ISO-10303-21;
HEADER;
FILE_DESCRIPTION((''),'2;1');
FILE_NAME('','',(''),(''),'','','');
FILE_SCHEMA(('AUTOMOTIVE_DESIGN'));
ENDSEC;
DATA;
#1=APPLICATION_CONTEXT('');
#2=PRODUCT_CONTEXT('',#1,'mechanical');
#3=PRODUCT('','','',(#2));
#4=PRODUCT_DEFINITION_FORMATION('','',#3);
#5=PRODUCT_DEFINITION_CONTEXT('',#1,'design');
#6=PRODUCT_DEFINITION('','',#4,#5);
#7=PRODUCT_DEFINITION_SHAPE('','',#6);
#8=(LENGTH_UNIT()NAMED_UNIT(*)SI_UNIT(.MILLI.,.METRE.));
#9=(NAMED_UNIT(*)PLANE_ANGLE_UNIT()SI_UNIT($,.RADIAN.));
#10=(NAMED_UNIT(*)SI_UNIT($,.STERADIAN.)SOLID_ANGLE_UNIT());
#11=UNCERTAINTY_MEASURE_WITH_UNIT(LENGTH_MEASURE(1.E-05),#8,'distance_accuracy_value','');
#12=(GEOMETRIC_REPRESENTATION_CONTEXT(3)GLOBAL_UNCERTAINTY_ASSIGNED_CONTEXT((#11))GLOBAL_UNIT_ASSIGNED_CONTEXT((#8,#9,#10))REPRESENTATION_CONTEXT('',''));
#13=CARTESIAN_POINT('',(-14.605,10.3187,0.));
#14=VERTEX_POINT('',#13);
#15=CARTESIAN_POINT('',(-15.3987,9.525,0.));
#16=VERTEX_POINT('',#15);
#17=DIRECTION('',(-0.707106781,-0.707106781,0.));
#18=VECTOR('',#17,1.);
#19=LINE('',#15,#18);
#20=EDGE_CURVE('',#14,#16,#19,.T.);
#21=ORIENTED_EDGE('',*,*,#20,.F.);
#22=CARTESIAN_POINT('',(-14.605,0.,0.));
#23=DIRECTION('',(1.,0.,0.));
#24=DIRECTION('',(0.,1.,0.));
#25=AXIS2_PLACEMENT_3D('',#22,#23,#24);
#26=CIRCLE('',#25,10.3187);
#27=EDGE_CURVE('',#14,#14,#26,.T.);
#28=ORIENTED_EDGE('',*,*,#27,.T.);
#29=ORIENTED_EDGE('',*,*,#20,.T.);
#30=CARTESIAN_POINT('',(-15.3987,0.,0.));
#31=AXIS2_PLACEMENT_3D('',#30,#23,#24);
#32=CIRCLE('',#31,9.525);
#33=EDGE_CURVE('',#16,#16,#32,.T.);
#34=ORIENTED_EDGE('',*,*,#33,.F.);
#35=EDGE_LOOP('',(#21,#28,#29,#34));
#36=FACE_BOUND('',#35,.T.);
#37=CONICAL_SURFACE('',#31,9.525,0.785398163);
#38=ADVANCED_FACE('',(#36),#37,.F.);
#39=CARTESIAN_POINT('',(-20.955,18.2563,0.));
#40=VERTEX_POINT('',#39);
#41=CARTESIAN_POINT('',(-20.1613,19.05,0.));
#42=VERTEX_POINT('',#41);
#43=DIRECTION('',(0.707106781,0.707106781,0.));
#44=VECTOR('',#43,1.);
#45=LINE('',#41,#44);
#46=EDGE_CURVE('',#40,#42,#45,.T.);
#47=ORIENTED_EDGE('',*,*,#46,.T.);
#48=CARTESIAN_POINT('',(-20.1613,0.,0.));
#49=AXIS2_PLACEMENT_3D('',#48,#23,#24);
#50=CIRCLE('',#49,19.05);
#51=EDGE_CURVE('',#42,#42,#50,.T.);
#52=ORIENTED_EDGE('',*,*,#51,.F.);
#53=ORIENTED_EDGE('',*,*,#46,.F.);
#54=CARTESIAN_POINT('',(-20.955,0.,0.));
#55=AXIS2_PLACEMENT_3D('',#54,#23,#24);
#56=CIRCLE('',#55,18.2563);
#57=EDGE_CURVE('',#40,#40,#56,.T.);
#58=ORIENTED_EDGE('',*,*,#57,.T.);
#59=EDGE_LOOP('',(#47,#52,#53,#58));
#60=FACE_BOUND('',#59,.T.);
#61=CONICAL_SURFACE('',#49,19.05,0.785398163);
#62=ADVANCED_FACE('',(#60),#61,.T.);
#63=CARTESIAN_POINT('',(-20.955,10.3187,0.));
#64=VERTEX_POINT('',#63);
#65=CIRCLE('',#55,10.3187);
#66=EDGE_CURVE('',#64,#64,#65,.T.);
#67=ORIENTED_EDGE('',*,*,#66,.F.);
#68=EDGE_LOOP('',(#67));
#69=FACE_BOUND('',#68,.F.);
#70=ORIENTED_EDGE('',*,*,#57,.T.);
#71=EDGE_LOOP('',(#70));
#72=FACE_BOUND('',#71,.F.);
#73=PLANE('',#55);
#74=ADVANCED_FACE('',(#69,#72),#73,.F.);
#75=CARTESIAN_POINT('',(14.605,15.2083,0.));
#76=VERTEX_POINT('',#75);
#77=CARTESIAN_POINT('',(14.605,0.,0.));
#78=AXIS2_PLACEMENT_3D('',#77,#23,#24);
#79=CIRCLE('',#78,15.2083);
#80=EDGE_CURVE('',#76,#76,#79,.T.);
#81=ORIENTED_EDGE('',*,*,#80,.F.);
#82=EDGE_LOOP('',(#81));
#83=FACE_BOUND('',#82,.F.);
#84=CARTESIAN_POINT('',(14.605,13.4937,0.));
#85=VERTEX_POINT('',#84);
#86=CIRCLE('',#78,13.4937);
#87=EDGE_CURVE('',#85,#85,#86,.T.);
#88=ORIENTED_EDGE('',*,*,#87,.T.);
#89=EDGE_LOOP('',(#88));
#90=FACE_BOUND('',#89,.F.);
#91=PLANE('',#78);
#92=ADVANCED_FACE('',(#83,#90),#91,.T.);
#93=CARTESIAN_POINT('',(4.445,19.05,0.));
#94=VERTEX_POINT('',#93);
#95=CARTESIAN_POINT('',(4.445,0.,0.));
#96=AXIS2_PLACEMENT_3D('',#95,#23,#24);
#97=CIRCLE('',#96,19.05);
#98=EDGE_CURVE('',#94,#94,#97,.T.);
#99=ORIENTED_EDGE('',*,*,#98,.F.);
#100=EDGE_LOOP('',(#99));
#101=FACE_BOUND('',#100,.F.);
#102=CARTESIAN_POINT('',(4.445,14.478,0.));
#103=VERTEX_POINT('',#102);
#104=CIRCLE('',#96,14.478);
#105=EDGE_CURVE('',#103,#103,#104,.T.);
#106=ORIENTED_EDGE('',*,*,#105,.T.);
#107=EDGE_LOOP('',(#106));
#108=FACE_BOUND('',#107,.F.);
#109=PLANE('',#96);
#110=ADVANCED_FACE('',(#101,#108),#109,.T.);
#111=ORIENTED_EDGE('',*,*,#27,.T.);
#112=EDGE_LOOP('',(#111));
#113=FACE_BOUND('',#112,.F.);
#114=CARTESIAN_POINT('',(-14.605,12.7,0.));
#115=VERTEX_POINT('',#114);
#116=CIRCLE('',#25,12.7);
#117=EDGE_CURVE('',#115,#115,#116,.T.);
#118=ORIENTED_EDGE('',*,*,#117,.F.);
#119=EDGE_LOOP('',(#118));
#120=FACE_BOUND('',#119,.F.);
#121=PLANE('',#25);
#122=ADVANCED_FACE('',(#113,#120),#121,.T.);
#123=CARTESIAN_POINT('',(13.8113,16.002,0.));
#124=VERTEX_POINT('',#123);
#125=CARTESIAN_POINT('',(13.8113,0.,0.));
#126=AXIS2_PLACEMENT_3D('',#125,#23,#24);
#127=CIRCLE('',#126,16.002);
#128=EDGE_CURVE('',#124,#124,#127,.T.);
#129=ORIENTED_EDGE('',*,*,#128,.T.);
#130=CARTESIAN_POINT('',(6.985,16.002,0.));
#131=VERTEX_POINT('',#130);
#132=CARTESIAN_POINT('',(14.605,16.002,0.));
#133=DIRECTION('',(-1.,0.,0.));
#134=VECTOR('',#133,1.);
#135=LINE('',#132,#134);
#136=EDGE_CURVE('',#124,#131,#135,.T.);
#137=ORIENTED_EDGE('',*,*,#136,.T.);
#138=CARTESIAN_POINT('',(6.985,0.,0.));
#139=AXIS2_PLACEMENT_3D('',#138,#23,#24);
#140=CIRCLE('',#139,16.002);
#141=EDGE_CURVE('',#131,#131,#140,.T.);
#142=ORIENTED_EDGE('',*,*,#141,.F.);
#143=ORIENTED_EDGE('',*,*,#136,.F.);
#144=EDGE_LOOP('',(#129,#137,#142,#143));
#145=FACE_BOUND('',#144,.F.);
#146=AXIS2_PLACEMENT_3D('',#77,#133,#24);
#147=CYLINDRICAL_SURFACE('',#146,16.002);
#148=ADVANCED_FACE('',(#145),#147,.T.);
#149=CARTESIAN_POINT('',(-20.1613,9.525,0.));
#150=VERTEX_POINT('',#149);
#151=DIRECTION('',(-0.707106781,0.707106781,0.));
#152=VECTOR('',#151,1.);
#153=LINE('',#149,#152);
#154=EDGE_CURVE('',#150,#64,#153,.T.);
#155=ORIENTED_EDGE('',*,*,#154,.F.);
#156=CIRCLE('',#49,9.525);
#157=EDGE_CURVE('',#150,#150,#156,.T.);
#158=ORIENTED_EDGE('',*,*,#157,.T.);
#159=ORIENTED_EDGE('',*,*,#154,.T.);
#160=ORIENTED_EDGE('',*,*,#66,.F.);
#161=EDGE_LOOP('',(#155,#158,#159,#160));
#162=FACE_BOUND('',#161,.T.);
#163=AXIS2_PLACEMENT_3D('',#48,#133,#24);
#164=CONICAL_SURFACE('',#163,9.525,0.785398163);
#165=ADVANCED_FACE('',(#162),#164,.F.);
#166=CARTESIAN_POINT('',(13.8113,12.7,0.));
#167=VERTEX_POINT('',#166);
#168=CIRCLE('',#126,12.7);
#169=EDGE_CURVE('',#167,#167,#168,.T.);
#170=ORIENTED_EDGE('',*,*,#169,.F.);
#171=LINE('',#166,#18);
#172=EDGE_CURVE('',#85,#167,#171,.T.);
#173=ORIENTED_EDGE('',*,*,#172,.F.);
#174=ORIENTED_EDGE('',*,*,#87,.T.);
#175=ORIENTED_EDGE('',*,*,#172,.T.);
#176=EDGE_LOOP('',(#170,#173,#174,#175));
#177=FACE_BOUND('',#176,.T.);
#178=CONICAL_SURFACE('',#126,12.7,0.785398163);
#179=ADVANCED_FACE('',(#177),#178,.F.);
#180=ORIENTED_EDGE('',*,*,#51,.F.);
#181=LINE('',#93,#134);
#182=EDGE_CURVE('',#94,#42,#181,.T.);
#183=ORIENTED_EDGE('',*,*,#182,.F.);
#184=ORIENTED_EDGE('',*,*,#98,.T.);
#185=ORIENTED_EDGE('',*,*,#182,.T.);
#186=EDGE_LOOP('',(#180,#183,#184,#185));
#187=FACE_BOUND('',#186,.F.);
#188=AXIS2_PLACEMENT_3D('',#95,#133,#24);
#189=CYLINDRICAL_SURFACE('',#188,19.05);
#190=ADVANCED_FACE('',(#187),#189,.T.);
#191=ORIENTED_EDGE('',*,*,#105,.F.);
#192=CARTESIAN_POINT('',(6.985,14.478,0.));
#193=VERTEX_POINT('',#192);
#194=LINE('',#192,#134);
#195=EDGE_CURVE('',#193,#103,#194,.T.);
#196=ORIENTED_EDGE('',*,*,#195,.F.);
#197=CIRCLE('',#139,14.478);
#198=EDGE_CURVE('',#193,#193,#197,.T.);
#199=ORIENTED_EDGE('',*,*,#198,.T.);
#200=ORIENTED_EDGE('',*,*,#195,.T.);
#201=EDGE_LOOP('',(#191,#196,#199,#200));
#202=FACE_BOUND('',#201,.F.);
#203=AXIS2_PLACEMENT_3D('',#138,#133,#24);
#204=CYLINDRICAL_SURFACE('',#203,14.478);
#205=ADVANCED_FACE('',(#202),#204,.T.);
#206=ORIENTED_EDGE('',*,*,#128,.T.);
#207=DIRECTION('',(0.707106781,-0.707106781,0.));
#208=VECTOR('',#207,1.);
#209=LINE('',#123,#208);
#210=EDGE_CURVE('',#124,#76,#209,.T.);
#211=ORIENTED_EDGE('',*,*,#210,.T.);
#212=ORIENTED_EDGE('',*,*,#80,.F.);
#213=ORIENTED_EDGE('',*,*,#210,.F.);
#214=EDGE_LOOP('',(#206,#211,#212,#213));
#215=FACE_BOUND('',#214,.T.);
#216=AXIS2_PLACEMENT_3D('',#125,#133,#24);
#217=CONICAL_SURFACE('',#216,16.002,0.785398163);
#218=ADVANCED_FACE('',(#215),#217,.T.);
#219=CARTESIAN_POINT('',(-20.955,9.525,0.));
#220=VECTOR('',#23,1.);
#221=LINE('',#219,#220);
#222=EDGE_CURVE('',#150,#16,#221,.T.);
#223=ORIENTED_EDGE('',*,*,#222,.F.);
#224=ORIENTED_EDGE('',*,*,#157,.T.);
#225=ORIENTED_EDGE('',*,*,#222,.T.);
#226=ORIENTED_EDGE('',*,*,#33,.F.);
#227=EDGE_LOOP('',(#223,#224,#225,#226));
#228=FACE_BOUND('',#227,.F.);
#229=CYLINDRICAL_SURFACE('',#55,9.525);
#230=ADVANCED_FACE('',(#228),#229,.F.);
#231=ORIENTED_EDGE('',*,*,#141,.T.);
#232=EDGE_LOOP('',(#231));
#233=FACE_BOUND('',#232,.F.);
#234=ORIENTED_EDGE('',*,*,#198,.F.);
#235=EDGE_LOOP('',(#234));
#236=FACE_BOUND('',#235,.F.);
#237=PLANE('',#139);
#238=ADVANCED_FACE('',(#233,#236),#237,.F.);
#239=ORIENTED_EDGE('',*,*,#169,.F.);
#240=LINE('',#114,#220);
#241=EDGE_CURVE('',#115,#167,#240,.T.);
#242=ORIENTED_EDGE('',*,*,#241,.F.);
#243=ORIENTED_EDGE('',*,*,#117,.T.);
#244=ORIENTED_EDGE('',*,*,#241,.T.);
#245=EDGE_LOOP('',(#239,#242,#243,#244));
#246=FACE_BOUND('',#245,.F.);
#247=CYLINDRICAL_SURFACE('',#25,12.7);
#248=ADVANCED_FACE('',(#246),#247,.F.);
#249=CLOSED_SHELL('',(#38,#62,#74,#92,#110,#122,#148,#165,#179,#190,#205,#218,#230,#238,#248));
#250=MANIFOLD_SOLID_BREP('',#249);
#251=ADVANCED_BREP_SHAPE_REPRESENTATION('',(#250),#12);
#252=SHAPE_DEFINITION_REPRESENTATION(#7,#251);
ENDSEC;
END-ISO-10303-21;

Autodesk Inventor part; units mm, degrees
ref_plane "YZ Plane" through (0, 0, 0) normal (1, 0, 0) x (0, 1, 0)
ref_plane "XZ Plane" through (0, 0, 0) normal (0, 1, 0) x (-1, 0, 0)
ref_plane "XY Plane" through (0, 0, 0) normal (0, 0, 1) x (1, 0, 0)
sketch "Sketch1" plane through (0, 0, 0) normal (0, 0, 1) x (1, 0, 0)
  line L0 (-30.2941, 0) -> (30.2941, 0)
  line L1 (-14.605, 12.7) -> (14.605, 12.7)
  line L2 (14.605, 12.7) -> (14.605, 16.002)
  line L3 (14.605, 16.002) -> (6.985, 16.002)
  line L4 (6.985, 16.002) -> (6.985, 14.478)
  line L5 (6.985, 14.478) -> (4.445, 14.478)
  line L6 (4.445, 14.478) -> (4.445, 19.05)
  line L7 (4.445, 19.05) -> (-20.955, 19.05)
  line L8 (-20.955, 19.05) -> (-20.955, 9.525)
  line L9 (-20.955, 9.525) -> (-14.605, 9.525)
  line L10 (-14.605, 9.525) -> (-14.605, 12.7)
  point P0 (0, 0)
  point P1 (0, 0)
  point P2 (0, 12.7)
  dimension "d0" = 25.4
  dimension "d2" = 19.05
  dimension "d3" = 6.35
  dimension "d4" = 38.1
  dimension "d6" = 19.05
  dimension "d7" = 32.004
  dimension "d8" = 1.524
  dimension "d16" = 10.16
  dimension "d17" = 2.54
revolve "Revolution1" add sketch "Sketch1" angle 360 about axis through (-30.2941, 0, 0) along (1, 0, 0)
thread "Thread1" size "1 1/4-18 UNEF" class "2A" standard "ANSI Unified Screw Threads" full length
chamfer "Chamfer1" distance 0.7937 angle 45 5 edges at (14.605, -16.002, 0) (14.605, -12.7, 0) (-14.605, -9.525, 0) (-20.955, -9.525, 0) (-20.955, -19.05, 0)
properties part number "PommelPart" material "Aluminum 6061"
